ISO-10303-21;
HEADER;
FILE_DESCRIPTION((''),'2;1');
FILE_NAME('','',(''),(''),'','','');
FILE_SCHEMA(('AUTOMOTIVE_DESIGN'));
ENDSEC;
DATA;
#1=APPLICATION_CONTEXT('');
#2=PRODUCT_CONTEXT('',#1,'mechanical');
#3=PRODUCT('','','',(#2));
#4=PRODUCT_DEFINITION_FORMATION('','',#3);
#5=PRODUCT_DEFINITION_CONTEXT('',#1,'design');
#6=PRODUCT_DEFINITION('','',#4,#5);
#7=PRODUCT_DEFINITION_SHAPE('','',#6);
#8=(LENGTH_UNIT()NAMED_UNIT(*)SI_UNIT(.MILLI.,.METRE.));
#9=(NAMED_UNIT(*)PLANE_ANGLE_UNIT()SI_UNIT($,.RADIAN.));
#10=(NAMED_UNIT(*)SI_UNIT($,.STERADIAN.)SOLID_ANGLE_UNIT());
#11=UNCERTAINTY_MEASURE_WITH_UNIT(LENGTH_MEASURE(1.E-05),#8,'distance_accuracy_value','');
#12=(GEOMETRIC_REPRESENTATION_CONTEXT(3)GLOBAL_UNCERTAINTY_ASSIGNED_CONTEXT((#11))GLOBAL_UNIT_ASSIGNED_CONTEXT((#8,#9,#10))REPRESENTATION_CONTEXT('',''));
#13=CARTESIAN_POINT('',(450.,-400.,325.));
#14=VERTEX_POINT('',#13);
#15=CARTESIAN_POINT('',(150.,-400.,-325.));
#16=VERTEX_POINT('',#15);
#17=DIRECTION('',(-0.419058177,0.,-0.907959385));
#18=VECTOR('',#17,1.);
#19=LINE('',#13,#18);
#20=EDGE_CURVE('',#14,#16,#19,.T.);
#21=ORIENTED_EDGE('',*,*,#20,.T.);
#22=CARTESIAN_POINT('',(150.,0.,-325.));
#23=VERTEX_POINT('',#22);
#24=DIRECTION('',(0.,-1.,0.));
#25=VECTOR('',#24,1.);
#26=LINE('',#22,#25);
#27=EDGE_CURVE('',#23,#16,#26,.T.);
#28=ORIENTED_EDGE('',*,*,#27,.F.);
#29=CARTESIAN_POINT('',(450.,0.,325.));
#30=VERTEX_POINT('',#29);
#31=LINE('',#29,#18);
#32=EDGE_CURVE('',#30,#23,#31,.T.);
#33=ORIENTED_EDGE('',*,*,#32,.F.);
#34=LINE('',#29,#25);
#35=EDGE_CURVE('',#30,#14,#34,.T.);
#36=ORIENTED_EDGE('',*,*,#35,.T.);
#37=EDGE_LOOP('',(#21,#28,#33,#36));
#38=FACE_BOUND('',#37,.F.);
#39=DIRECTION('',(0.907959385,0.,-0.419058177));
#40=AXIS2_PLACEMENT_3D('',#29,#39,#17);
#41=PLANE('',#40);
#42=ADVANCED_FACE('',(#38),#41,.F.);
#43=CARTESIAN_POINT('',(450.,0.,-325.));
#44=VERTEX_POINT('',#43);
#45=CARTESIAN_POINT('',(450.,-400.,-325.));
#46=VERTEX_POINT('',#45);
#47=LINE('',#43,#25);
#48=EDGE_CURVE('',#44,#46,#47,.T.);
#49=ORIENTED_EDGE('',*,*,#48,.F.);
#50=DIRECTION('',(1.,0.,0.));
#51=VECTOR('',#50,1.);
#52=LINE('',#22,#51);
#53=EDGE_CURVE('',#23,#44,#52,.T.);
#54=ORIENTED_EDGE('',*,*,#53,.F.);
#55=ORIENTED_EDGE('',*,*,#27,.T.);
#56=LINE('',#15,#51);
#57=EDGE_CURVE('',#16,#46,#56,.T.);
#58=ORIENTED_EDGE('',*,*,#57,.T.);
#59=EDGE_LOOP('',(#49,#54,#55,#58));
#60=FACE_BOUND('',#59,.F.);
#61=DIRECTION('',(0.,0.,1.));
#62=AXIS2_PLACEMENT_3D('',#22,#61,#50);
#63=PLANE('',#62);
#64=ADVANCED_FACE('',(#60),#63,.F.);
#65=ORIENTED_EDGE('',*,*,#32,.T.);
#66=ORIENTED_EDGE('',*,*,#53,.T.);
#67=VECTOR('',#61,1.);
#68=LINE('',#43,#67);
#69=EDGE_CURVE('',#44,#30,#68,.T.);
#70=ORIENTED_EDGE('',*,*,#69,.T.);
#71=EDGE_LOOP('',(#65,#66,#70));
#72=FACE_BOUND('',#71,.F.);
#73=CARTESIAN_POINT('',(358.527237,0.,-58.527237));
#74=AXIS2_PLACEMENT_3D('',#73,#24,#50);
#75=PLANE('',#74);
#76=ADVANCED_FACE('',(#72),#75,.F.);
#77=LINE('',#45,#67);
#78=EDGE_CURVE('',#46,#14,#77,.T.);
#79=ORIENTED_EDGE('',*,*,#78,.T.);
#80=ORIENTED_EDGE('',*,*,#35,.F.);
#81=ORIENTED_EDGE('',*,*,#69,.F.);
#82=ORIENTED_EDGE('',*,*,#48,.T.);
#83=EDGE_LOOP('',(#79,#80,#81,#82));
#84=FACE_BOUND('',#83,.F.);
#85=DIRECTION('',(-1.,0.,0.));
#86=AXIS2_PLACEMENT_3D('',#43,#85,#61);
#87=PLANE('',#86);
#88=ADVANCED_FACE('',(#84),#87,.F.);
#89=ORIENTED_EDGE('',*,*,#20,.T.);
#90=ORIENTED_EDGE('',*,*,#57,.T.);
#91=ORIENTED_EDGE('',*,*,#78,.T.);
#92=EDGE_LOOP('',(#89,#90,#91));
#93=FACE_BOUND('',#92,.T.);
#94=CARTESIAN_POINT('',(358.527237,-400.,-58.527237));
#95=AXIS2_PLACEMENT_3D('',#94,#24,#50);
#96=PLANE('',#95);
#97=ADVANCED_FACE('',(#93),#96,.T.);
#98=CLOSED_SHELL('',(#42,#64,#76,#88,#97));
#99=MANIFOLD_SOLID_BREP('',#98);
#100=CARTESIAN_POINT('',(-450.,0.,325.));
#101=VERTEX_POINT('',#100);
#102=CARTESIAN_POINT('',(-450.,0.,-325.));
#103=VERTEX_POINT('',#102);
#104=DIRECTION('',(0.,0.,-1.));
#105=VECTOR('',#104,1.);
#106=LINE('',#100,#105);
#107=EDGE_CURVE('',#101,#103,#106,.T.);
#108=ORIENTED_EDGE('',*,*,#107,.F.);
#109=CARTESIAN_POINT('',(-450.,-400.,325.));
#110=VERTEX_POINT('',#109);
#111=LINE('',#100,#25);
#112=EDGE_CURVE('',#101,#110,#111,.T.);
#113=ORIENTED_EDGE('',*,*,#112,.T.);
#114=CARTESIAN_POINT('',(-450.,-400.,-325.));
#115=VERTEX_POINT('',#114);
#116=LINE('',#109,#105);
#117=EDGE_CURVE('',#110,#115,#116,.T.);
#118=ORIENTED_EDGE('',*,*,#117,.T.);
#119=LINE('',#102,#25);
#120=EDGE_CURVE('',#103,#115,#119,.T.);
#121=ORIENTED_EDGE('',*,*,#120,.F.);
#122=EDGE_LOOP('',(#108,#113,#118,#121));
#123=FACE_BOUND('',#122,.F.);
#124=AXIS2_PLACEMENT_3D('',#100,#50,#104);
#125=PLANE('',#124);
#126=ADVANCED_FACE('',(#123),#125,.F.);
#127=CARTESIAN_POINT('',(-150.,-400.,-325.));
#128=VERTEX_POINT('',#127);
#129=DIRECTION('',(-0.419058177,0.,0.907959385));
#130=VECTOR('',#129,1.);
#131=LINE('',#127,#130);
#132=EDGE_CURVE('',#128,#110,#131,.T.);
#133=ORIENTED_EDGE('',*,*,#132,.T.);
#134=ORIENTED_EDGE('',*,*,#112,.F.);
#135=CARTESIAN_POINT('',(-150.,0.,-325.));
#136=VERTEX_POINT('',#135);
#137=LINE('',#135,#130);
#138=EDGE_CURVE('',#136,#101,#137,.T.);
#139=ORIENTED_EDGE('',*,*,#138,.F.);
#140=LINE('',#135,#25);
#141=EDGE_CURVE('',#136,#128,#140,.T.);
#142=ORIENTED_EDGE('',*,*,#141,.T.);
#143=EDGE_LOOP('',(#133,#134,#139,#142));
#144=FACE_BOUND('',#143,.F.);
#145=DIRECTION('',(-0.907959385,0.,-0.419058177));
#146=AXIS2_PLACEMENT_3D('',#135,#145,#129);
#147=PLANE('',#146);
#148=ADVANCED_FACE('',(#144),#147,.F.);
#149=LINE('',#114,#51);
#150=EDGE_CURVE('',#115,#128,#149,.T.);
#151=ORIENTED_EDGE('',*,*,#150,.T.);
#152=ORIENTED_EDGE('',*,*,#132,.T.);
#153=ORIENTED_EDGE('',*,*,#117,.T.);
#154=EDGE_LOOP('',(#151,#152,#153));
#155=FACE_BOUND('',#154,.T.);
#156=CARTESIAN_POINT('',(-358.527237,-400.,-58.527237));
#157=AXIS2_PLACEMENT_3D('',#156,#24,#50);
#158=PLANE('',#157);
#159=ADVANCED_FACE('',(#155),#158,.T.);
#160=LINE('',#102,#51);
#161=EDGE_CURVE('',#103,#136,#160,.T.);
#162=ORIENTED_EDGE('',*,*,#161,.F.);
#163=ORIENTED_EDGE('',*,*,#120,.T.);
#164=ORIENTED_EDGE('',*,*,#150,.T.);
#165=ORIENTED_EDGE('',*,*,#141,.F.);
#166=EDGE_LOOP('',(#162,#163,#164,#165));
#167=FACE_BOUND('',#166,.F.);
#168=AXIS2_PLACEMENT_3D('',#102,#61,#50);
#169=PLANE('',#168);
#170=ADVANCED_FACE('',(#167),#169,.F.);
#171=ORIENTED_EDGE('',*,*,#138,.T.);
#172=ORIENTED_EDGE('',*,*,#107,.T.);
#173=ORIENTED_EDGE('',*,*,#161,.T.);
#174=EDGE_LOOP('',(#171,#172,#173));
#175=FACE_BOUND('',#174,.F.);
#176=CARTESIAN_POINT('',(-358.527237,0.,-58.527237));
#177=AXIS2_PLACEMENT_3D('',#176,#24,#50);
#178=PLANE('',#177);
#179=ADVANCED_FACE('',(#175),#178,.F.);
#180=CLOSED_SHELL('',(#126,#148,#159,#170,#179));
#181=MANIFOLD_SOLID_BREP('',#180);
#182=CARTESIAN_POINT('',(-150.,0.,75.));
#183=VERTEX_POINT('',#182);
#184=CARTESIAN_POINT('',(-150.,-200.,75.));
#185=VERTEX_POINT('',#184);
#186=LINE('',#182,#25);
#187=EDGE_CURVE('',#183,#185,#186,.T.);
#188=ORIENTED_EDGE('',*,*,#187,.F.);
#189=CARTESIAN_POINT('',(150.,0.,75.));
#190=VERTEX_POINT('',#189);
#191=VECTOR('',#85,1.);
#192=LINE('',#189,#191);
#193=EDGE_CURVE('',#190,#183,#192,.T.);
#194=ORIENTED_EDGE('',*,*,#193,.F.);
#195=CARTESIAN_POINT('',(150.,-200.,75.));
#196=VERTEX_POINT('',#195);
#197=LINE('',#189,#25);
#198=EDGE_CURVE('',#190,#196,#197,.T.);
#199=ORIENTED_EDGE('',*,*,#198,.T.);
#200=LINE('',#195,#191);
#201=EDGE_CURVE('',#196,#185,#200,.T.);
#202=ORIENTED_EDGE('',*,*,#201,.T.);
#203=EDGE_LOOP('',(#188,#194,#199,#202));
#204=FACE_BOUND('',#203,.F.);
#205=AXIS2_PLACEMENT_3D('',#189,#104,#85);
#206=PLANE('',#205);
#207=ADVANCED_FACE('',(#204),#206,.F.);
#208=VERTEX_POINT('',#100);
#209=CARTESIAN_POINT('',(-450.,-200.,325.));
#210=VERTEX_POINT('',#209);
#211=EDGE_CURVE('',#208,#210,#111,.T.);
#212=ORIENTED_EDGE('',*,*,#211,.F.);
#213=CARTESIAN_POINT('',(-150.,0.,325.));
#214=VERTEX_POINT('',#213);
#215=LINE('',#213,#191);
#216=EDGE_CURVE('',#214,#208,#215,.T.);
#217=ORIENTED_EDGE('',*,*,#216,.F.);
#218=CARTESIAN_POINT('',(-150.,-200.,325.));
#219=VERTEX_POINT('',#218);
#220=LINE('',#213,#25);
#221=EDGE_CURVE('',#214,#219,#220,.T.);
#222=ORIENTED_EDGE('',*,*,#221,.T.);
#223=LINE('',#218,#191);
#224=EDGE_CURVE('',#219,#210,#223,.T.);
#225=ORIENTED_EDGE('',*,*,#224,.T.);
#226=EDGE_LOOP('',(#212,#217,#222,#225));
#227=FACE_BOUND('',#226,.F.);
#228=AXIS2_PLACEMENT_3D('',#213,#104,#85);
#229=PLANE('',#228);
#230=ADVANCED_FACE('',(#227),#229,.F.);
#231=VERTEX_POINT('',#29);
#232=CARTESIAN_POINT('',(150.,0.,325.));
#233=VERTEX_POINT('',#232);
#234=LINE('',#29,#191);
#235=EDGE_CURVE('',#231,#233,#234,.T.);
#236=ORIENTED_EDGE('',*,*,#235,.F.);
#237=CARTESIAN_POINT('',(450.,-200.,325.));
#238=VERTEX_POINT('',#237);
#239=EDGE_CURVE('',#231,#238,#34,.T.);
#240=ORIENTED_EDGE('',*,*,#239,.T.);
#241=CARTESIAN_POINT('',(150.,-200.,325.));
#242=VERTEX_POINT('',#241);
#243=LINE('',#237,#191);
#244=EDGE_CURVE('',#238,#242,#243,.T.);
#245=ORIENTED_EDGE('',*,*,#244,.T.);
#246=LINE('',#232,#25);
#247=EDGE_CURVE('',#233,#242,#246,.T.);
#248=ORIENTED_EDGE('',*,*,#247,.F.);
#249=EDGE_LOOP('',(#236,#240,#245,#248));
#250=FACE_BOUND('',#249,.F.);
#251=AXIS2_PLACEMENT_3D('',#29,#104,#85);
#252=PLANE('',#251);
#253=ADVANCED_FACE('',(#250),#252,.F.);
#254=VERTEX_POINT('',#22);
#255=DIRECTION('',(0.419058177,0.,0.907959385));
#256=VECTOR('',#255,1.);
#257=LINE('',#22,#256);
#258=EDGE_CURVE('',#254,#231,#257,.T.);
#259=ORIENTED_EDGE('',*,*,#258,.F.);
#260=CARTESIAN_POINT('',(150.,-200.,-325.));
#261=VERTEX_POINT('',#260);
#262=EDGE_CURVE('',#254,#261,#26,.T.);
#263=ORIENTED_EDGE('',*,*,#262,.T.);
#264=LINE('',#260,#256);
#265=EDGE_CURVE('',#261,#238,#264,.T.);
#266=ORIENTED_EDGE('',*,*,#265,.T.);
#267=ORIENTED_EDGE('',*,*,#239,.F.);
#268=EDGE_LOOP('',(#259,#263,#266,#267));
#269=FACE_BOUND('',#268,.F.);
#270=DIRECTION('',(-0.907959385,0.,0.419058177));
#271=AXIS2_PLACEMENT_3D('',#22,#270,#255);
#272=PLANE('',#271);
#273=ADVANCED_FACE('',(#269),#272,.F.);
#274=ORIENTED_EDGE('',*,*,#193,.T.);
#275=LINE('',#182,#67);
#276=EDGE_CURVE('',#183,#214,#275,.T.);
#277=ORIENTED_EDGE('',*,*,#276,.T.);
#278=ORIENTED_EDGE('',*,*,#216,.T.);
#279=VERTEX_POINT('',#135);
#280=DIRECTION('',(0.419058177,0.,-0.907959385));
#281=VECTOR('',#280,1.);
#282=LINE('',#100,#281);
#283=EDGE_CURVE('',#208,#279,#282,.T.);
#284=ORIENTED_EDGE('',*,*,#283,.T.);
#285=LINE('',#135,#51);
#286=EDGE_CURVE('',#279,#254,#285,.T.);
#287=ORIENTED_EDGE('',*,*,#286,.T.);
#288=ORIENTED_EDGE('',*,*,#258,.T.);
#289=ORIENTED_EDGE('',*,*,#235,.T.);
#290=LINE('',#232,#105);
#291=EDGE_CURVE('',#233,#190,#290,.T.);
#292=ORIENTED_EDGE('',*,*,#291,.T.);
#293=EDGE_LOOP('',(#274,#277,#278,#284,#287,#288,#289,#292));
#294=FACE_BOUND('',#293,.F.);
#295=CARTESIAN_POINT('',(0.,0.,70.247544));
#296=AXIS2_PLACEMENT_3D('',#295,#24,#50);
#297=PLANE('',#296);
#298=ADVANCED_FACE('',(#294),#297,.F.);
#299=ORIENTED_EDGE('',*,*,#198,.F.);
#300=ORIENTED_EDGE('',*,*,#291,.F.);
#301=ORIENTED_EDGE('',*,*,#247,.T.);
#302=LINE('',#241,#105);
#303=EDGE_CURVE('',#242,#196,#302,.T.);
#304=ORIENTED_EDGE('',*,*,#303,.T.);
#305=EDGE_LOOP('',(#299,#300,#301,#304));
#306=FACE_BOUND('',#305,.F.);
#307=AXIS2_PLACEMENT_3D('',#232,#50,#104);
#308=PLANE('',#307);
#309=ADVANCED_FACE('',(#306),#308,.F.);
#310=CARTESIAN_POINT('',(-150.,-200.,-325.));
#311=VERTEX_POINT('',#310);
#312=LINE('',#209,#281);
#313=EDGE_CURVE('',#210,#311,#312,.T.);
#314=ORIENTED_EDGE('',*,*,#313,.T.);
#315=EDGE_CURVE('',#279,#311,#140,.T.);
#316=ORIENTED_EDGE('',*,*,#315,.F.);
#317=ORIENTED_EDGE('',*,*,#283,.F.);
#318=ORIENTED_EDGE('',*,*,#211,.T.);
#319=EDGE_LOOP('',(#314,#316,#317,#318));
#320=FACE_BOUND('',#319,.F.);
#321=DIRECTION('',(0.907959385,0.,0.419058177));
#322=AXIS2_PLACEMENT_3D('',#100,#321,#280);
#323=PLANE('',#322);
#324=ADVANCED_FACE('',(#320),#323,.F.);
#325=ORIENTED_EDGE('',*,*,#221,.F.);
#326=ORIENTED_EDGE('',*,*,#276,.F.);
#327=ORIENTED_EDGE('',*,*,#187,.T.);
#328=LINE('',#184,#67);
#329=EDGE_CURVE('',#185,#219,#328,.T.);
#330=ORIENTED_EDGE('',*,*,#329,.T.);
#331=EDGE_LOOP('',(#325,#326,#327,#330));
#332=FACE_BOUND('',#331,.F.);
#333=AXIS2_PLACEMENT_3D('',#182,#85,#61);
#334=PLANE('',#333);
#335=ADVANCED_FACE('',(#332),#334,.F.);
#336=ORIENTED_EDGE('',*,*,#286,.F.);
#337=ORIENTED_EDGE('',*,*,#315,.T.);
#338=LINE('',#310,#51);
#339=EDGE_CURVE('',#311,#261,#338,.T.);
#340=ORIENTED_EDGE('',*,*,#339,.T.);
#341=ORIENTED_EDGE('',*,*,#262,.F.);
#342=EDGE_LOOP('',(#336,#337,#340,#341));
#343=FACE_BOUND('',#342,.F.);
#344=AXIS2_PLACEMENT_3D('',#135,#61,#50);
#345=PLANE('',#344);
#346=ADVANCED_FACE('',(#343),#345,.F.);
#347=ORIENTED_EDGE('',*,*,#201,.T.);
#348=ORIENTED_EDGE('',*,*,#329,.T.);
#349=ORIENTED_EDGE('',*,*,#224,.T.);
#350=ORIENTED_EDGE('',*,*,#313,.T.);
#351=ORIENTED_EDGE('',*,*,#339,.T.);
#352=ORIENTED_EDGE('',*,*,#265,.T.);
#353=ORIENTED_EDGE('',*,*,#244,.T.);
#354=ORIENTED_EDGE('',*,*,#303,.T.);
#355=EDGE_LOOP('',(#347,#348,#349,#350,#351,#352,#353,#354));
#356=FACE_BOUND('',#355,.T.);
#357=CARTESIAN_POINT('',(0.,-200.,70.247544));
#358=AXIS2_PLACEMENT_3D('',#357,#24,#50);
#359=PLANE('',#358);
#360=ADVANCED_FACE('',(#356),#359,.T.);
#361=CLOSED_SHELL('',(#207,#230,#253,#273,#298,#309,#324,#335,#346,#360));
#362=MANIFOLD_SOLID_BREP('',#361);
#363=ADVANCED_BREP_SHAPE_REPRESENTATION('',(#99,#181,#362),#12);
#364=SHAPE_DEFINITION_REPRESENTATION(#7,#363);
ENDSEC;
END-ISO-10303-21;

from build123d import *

# Parameters (mm, degrees)
F1_DEPTH = 400
F2_DEPTH = 200


with BuildPart() as f1:
    # F0 (on Front) → F1 (new body)
    with BuildSketch(Plane.XZ):
        Polygon((-450, -325), (-150, -325), (-450, 325), align=None)
        Polygon((450, -325), (450, 325), (150, -325), align=None)
    extrude(amount=F1_DEPTH)


with BuildPart() as f2:
    # F0 (on Front) → F2 (new body)
    with BuildSketch(Plane.XZ):
        Polygon((150, -325), (450, 325), (150, 325), (150, 75), (-150, 75), (-150, 325), (-450, 325), (-150, -325), align=None)
    extrude(amount=F2_DEPTH)


solid = Compound([f1.part, f2.part])
